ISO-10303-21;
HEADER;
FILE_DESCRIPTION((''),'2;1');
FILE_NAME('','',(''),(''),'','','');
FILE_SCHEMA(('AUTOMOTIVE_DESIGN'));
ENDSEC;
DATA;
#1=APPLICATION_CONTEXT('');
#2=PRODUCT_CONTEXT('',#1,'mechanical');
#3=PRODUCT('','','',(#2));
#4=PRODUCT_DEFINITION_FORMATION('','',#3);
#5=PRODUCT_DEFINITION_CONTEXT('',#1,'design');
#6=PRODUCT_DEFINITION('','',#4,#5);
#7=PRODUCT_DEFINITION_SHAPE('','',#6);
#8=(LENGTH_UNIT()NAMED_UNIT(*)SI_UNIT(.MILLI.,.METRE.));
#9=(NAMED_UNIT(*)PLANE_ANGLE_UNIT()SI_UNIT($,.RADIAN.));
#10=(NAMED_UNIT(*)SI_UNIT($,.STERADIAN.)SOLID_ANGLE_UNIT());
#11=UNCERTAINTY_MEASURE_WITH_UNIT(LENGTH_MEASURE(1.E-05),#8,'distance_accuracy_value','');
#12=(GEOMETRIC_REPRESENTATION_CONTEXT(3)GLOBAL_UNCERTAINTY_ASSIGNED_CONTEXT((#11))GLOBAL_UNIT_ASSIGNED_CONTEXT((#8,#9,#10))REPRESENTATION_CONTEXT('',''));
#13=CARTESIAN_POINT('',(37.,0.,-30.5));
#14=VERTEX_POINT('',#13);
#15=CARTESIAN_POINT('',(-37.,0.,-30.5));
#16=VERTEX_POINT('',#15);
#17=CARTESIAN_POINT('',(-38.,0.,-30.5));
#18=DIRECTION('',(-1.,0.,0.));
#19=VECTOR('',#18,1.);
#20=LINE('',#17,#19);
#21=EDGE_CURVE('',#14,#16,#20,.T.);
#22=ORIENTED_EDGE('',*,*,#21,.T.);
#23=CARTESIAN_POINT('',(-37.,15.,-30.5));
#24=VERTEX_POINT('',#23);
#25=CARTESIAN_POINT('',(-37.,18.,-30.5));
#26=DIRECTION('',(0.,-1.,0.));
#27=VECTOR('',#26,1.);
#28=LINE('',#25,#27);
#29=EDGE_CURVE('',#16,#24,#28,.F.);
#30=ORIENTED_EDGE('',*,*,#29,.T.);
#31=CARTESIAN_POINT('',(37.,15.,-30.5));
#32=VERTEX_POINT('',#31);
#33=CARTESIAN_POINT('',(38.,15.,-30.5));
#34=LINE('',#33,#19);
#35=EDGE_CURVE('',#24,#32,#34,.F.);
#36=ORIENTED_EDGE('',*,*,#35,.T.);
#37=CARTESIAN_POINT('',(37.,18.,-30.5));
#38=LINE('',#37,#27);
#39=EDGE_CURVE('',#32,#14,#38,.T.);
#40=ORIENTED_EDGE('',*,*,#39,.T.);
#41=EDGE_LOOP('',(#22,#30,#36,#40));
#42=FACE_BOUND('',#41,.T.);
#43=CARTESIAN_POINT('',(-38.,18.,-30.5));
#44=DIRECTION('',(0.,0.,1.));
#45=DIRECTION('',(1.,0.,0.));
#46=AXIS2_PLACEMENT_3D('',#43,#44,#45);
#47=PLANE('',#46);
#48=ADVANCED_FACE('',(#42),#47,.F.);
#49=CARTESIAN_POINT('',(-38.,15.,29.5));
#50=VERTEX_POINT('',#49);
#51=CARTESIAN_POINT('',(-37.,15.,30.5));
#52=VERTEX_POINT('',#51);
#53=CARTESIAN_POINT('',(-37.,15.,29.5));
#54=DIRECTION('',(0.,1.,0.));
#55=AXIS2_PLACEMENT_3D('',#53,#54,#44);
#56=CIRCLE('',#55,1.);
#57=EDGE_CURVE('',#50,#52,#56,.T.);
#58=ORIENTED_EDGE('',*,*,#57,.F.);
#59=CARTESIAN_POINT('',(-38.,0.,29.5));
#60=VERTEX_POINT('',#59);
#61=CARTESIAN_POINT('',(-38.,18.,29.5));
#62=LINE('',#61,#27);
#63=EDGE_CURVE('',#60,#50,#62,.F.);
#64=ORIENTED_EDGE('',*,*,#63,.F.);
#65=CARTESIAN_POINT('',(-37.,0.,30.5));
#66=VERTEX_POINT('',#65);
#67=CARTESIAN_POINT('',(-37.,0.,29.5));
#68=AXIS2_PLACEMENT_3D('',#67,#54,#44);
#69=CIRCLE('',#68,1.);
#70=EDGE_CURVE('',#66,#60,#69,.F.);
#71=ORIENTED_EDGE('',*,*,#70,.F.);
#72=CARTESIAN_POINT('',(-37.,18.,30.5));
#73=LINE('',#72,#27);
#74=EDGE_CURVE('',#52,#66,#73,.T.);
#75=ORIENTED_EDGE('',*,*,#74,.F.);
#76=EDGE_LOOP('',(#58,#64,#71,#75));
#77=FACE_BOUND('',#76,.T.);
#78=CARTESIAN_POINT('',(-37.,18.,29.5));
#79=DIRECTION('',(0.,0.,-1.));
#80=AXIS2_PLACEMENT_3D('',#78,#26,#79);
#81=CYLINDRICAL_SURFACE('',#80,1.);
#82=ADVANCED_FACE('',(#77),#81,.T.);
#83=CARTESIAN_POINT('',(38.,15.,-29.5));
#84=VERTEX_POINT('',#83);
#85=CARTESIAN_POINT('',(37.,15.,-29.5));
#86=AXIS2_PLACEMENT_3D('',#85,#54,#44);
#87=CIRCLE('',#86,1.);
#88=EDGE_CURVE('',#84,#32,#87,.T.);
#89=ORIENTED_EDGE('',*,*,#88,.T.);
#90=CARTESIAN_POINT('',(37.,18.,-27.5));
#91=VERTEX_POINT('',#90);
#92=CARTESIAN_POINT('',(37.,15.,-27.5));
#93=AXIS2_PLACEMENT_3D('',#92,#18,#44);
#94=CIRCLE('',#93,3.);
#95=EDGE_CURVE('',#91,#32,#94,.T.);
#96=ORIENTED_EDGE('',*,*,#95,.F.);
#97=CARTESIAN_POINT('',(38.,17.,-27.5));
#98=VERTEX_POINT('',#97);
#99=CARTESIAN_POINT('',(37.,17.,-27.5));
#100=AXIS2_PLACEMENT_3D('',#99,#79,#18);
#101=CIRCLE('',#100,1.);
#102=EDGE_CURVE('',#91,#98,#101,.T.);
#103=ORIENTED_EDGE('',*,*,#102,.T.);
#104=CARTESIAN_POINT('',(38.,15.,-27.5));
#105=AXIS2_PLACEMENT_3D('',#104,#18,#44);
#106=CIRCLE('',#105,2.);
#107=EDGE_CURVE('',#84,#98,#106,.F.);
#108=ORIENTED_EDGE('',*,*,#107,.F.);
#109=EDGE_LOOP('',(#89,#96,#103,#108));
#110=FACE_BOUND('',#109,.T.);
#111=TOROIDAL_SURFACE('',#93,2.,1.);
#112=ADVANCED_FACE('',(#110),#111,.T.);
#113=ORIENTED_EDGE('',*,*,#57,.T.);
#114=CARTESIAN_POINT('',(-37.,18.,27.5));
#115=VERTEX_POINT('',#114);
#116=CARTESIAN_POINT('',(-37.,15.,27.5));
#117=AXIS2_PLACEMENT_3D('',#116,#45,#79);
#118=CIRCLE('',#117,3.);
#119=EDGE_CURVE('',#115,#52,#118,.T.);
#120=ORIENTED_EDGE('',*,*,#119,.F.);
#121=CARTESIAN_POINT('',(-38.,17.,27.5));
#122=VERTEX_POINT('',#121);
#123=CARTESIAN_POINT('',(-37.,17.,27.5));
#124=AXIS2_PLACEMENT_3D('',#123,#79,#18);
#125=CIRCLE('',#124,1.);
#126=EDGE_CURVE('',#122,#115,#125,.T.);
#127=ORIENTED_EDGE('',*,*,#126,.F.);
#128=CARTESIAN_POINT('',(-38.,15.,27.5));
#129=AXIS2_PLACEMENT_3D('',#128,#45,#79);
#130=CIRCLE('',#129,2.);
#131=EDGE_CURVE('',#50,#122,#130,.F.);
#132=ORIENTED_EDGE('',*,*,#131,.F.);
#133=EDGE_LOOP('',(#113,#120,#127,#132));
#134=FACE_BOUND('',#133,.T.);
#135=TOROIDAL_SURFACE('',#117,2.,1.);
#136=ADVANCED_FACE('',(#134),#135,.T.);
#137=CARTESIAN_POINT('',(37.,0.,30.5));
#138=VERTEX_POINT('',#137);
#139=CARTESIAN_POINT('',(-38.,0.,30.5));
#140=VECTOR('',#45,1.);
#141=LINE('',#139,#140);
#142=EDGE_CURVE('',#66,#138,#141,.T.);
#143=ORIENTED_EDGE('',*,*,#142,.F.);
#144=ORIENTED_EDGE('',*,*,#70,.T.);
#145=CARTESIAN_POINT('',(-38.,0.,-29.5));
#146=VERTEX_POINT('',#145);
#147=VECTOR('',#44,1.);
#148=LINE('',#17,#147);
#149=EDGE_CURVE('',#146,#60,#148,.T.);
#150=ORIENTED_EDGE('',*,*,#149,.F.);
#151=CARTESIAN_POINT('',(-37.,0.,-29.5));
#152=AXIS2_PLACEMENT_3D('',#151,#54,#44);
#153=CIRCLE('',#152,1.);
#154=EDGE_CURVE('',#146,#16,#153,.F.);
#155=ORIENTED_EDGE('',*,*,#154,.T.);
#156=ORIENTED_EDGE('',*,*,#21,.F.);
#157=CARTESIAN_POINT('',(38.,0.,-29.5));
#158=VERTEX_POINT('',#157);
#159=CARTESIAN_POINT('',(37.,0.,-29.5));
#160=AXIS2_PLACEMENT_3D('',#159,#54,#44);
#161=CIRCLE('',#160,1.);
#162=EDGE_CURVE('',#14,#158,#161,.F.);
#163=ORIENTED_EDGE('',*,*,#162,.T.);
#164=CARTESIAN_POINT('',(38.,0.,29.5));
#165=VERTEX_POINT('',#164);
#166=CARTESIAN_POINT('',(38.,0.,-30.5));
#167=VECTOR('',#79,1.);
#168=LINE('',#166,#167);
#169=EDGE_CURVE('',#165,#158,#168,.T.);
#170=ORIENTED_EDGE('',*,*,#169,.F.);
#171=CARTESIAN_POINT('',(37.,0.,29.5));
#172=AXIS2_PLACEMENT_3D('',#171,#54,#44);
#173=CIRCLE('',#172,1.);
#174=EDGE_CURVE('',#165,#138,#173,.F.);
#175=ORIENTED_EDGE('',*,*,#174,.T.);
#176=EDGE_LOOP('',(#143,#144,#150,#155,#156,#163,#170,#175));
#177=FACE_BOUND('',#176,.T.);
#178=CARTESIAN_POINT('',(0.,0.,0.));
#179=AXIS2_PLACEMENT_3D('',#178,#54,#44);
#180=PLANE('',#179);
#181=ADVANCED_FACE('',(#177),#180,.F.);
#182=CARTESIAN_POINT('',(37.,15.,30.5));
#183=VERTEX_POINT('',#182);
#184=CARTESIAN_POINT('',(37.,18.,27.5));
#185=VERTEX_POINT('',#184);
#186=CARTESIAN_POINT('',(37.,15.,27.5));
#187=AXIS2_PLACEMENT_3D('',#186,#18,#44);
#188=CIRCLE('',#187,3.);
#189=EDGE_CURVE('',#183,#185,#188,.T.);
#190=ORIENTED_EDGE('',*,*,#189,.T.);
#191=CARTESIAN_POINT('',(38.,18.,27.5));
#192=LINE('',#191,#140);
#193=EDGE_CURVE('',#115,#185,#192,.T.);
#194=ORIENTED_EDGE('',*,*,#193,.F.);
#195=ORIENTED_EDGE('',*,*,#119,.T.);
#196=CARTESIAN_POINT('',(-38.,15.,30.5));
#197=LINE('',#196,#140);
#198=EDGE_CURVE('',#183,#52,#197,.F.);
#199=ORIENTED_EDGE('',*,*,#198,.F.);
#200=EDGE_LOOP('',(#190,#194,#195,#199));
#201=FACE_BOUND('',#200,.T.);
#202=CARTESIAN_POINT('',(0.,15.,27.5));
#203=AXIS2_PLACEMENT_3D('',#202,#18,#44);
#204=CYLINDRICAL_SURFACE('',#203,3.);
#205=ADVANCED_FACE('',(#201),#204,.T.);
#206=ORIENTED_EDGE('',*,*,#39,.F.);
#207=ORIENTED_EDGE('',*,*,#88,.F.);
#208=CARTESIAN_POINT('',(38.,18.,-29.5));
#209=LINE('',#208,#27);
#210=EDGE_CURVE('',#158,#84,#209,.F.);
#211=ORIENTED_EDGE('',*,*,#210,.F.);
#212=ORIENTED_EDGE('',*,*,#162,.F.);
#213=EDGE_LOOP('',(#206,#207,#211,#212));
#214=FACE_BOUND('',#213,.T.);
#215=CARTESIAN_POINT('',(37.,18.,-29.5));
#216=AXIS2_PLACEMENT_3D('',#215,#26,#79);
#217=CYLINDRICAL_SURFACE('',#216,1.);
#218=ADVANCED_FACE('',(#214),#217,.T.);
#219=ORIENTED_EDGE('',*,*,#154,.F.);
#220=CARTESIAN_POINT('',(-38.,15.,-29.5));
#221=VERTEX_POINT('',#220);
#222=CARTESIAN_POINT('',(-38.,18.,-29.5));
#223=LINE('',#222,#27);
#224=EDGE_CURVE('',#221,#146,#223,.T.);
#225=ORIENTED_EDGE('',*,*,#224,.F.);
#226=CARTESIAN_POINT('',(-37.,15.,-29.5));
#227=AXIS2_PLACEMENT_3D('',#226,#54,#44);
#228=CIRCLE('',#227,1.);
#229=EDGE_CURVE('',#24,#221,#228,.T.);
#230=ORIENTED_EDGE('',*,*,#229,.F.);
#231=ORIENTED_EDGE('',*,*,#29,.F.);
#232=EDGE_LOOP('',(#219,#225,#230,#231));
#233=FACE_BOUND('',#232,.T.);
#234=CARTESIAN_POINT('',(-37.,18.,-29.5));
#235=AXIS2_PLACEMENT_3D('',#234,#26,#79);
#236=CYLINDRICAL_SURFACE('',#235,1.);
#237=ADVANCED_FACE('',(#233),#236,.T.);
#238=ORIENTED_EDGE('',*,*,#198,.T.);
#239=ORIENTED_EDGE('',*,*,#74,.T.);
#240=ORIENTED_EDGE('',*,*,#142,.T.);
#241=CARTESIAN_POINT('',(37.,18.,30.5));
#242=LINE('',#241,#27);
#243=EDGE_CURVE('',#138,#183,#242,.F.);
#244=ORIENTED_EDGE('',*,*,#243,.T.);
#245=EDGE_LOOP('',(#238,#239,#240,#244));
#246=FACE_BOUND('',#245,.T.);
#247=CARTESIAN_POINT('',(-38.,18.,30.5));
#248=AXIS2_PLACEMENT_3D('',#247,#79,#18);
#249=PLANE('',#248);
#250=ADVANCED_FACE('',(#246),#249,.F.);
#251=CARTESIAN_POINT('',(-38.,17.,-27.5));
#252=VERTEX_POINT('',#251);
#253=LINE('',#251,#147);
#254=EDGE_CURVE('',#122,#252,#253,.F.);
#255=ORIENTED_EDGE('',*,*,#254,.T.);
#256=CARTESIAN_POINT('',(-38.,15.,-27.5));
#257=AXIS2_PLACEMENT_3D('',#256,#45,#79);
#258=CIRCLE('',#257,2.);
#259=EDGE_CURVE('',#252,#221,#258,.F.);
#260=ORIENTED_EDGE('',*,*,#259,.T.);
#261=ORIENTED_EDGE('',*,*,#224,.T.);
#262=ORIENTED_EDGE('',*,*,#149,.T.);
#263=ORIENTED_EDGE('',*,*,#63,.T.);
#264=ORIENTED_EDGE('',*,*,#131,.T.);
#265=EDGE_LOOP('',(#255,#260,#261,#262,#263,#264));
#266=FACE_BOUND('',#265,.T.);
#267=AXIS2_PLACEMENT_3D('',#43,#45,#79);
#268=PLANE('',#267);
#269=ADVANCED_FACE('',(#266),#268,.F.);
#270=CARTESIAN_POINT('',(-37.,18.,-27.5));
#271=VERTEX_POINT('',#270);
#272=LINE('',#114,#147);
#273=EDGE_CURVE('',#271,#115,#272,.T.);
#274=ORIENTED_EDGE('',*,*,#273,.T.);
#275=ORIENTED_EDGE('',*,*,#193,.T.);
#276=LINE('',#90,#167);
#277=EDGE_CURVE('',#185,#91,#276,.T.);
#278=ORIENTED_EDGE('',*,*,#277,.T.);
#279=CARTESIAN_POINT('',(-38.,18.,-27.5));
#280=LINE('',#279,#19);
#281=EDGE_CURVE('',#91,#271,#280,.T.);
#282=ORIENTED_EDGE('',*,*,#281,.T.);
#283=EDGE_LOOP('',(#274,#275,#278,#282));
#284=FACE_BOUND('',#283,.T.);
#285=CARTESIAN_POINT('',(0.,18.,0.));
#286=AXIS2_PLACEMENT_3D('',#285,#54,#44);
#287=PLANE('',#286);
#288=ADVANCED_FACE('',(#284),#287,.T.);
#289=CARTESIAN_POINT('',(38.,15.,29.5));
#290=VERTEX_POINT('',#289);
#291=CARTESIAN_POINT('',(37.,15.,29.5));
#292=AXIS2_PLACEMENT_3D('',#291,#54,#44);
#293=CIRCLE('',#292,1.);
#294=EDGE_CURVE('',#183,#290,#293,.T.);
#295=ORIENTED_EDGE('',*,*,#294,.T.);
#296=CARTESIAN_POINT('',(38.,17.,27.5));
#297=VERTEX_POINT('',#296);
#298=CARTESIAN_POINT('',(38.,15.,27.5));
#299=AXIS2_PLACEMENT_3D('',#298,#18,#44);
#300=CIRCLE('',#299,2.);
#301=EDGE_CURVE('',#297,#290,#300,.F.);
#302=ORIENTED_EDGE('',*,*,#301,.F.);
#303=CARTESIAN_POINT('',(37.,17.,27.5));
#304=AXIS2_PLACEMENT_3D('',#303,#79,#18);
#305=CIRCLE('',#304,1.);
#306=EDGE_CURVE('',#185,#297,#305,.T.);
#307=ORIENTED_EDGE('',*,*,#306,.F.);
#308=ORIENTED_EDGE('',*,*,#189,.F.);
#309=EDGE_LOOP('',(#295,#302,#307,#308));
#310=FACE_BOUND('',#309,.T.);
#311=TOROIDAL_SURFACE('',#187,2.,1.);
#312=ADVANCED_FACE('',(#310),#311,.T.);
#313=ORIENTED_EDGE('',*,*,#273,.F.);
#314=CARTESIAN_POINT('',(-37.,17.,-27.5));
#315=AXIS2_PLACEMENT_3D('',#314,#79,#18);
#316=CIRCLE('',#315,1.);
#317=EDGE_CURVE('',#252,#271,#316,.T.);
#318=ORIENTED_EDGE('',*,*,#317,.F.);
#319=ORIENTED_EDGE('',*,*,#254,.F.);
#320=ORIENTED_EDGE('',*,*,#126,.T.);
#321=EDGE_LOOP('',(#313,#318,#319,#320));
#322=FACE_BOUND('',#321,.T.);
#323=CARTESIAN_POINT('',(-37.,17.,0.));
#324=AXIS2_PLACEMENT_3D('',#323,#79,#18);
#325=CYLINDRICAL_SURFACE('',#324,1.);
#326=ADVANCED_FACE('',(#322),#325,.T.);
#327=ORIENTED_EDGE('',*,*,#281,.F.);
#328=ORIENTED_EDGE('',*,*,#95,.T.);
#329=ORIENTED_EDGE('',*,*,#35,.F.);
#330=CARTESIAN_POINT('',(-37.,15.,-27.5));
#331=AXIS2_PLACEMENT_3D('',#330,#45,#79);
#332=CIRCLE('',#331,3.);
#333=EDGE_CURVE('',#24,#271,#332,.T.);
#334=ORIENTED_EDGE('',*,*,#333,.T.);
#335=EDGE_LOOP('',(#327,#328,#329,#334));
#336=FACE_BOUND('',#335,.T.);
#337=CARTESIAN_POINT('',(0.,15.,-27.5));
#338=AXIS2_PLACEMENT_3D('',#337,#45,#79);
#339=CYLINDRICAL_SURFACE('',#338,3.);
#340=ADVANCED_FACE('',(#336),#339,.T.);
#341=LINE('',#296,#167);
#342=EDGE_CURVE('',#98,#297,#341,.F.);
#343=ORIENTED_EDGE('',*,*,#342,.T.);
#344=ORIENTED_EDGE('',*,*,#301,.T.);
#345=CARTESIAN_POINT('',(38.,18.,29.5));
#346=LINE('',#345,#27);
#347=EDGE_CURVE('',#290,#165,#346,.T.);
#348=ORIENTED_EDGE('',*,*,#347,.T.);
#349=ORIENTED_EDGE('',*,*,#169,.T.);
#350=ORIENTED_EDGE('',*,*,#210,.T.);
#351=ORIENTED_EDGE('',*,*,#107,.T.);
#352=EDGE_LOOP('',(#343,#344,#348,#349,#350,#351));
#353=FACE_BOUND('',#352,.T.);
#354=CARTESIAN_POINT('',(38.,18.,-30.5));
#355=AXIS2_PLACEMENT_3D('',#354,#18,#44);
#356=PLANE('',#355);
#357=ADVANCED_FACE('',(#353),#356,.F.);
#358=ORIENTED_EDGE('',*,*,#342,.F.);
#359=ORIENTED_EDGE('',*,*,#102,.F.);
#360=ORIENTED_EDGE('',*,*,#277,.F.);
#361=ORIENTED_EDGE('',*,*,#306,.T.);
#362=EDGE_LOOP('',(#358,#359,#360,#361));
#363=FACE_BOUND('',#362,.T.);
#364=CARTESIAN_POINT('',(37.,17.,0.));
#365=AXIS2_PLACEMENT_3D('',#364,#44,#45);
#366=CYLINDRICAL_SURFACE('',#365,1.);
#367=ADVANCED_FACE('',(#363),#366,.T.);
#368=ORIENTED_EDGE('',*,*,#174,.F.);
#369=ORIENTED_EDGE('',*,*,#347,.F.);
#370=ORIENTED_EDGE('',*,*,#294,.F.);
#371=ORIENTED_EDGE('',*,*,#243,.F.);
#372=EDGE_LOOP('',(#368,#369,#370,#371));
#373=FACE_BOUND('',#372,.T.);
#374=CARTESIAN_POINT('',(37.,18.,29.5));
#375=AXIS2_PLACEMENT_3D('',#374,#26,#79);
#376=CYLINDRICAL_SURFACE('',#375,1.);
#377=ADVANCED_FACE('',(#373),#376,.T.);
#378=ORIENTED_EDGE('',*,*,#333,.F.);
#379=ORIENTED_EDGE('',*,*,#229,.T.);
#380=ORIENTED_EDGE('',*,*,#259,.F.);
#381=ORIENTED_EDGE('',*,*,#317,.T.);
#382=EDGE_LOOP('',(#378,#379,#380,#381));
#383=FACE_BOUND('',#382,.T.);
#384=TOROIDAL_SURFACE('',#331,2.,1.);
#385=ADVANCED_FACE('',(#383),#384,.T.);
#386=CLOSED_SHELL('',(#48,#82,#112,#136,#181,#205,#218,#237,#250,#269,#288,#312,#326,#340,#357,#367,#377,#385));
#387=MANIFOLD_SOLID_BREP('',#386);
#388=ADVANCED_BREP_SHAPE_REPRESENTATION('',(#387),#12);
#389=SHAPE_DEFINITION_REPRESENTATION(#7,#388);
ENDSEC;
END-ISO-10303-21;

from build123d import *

# Parameters (mm, degrees)
SKETCH_1_W      = 76
SKETCH_1_H      = 61
EXTRUDE_1_DEPTH = 18
FILLET_1_R      = 3
FILLET_2_R      = 1


with BuildPart() as part:
    # 草圖1 → 填料-伸長1 (new body)
    with BuildSketch(Plane(origin=(0, 0, 0), x_dir=(1, 0, 0), z_dir=(0, 1, 0))):
        Rectangle(SKETCH_1_W, SKETCH_1_H)
    extrude(amount=EXTRUDE_1_DEPTH)

    # 圓角1
    fillet_1_edges = [part.edges().sort_by_distance(p)[0] for p in [
        (0, 18, 30.5),
        (0, 18, -30.5),
    ]]
    fillet(fillet_1_edges, radius=FILLET_1_R)

    # 圓角2
    fillet_2_edges = [part.edges().sort_by_distance(p)[0] for p in [
        (38, 18, 0),
        (-38, 18, 0),
        (38, 7.5, -30.5),
        (38, 7.5, 30.5),
        (38, 17.121320344, -29.621320344),
        (38, 17.121320344, 29.621320344),
        (-38, 7.5, 30.5),
        (-38, 7.5, -30.5),
        (-38, 17.121320344, -29.621320344),
        (-38, 17.121320344, 29.621320344),
    ]]
    fillet(fillet_2_edges, radius=FILLET_2_R)


solid = part.part
